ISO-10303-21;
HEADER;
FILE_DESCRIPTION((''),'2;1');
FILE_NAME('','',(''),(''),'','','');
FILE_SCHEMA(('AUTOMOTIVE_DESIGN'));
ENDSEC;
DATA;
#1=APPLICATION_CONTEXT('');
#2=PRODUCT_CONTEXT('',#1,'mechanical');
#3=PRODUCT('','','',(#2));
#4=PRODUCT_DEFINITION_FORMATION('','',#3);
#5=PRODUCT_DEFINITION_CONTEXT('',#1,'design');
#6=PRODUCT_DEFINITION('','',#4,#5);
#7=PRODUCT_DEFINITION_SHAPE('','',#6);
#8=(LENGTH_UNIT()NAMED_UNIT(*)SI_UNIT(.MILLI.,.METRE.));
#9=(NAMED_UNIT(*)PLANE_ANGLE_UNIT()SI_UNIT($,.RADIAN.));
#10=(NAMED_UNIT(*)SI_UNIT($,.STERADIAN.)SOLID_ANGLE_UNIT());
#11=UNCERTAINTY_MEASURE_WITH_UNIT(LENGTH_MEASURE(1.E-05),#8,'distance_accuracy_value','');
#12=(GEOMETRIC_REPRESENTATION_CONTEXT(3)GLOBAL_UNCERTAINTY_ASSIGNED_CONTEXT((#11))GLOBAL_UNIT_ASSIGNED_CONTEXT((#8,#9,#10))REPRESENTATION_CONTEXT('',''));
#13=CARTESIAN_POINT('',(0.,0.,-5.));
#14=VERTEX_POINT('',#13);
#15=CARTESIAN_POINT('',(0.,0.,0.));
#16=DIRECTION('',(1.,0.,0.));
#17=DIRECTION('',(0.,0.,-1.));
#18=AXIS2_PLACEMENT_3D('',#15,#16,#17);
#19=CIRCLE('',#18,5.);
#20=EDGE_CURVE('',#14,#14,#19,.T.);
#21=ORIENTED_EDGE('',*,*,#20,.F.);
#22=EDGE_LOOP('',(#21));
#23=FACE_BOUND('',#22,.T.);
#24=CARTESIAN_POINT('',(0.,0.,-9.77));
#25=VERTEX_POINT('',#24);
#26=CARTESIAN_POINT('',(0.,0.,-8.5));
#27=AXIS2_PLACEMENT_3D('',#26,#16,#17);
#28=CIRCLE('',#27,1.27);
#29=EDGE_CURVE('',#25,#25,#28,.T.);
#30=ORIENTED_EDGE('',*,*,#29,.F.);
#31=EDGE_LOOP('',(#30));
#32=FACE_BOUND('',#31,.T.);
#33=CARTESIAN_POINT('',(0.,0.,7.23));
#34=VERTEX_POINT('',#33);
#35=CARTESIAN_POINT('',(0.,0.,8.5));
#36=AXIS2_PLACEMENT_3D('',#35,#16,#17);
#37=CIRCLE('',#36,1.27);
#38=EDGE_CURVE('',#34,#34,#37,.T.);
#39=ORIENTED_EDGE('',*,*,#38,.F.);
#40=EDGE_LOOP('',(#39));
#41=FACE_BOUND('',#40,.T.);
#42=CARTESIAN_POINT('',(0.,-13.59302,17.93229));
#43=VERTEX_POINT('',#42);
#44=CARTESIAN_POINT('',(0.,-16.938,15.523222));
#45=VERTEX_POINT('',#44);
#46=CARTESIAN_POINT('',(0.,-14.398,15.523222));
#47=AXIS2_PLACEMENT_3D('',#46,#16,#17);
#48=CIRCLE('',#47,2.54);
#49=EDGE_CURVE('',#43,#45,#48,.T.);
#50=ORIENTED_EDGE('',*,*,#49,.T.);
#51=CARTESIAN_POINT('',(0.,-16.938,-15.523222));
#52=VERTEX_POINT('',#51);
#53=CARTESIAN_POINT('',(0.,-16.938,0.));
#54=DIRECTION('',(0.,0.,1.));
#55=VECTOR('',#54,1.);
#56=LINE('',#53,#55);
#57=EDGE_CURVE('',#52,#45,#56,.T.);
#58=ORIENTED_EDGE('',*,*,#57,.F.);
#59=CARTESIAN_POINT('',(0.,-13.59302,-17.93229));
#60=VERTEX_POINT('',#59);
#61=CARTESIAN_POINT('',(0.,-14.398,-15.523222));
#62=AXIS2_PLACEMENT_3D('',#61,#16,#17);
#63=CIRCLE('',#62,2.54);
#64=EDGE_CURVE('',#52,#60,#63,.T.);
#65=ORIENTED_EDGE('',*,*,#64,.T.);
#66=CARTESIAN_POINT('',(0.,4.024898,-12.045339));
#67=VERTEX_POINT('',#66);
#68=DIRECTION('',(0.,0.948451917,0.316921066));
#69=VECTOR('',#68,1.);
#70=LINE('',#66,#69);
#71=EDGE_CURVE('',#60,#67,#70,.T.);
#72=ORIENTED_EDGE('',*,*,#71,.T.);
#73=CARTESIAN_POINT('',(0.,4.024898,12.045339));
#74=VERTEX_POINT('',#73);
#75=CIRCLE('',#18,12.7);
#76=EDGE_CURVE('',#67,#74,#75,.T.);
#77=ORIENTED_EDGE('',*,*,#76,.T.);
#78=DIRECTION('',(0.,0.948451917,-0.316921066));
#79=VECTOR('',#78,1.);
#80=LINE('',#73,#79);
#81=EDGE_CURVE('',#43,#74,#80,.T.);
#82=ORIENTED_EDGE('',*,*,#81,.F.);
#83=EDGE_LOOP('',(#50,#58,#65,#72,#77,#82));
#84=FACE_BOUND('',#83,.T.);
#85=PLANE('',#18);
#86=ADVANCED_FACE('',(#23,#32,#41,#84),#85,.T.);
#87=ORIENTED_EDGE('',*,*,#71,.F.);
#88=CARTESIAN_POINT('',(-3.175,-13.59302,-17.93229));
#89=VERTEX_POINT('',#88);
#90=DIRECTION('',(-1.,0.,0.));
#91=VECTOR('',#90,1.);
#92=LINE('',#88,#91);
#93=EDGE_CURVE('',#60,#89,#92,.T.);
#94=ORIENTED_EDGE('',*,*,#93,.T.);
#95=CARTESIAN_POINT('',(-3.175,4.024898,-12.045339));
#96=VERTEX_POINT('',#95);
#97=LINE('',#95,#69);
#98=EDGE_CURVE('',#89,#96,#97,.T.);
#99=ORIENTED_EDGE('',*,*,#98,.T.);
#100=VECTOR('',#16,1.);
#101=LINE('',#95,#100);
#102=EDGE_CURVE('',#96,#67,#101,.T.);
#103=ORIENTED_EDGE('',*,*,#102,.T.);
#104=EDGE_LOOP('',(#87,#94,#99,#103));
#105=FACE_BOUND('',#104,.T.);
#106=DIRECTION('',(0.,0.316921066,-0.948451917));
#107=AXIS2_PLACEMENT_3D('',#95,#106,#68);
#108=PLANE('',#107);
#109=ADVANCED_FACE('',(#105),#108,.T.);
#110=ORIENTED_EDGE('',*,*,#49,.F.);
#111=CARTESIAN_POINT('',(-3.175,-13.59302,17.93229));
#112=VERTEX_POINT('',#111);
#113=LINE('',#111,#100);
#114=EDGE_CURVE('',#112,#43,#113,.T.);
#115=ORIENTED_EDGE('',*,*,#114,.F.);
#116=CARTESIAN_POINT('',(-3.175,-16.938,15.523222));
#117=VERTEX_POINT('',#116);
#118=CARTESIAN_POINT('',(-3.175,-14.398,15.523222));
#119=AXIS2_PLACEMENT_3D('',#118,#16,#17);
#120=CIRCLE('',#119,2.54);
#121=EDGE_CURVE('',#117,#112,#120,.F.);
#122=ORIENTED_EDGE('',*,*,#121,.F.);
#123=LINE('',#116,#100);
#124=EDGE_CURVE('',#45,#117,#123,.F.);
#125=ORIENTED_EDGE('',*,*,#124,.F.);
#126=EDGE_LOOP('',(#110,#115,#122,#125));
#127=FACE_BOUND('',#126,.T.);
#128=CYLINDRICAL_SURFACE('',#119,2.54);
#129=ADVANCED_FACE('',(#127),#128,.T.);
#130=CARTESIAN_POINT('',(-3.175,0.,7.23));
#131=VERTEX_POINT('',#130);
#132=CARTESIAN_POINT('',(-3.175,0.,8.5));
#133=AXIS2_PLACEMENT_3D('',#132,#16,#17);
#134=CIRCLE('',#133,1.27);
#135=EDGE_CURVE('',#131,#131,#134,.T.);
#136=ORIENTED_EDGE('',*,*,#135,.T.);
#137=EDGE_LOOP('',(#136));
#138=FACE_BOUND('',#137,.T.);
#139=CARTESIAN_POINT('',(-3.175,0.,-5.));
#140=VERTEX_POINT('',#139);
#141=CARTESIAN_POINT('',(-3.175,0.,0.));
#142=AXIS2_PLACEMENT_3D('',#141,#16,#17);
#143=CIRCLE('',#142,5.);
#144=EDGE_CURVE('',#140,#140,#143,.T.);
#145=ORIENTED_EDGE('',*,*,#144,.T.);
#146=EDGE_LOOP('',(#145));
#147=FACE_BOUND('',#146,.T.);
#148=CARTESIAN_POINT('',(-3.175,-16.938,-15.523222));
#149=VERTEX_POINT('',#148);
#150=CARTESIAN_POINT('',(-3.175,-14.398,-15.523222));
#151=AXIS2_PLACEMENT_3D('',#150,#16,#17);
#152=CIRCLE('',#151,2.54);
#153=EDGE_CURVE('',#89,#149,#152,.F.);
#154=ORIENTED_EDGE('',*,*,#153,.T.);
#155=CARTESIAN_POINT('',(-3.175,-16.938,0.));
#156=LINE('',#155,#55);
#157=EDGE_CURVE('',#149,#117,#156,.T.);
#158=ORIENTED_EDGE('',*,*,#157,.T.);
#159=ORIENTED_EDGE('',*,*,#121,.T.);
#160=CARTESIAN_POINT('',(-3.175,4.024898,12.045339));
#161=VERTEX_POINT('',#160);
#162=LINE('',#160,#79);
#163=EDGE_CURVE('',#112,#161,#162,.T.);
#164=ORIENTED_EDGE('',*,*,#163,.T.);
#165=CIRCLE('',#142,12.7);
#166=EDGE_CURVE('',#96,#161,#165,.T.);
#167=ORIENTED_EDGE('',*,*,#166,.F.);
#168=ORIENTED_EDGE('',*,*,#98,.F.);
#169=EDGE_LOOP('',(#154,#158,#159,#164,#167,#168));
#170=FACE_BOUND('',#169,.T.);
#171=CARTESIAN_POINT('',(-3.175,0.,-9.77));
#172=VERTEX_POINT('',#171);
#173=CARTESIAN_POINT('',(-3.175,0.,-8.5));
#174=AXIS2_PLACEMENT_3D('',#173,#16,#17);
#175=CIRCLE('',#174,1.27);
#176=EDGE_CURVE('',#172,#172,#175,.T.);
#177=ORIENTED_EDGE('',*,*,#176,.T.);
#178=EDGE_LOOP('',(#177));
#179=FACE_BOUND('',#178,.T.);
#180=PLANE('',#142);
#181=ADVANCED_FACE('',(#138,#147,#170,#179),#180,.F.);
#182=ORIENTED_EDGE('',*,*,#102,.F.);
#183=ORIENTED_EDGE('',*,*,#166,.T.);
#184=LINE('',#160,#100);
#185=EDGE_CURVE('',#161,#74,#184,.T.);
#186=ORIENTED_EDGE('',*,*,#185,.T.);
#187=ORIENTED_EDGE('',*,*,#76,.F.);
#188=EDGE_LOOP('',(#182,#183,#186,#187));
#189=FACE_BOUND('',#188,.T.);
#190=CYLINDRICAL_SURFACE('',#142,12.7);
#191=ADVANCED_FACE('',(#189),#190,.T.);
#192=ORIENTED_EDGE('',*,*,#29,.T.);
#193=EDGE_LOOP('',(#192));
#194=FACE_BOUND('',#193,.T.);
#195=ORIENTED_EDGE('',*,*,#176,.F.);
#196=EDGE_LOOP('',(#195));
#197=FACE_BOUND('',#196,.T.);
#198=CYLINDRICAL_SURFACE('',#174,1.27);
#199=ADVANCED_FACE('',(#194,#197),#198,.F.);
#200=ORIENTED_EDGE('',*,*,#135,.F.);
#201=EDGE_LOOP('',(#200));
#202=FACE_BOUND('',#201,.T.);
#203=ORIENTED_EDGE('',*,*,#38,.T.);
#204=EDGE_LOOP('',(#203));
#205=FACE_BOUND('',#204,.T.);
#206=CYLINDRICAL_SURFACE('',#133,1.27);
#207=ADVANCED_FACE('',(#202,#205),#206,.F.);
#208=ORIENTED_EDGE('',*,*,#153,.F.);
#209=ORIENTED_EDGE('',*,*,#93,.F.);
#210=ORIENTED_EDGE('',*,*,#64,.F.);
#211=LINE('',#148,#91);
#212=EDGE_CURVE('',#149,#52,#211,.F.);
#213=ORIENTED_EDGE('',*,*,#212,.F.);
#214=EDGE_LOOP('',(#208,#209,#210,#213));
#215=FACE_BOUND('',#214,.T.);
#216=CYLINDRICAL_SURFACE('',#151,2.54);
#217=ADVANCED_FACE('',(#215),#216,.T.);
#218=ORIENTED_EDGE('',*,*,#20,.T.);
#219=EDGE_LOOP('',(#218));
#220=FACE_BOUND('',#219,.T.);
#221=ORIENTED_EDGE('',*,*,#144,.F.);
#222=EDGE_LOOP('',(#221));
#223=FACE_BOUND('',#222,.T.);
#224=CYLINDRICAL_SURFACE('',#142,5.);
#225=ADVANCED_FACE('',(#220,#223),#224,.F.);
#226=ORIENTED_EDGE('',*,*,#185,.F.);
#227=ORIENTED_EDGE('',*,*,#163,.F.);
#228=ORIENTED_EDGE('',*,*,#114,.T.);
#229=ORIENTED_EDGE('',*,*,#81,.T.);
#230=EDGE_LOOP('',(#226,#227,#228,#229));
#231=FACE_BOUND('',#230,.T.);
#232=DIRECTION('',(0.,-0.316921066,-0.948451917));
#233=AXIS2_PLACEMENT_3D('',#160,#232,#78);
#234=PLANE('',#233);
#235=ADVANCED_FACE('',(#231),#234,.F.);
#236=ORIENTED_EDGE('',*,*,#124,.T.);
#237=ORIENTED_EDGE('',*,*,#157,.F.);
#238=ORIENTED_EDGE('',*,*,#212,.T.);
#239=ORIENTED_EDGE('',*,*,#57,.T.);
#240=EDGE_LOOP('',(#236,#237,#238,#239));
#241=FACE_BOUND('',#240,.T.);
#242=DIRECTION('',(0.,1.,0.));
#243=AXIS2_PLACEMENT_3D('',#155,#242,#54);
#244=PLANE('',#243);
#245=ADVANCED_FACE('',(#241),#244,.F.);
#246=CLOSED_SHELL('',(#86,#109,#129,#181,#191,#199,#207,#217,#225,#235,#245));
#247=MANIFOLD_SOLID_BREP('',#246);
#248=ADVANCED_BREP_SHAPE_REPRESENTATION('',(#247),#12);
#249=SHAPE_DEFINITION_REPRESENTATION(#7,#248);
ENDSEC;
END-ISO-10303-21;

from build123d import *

# Parameters (mm, degrees)
SKETCH1_R           = 12.7
SKETCH1_R_2         = 5
SKETCH1_R_3         = 1.27
BOSS_EXTRUDE1_DEPTH = 3.175
FILLET1_R           = 2.54
FILLET2_R           = 2.54


with BuildPart() as part:
    # Sketch1 → Boss-Extrude1 (new body)
    with BuildSketch(Plane(origin=(0, 0, 0), x_dir=(0, 0, -1), z_dir=(1, 0, 0))):
        with BuildLine():
            Line((-19.05, -16.938), (0, -16.938))
            Line((0, -16.938), (19.05, -16.938))
            Line((19.05, -16.938), (12.045339341, 4.024897535))
            ThreePointArc((12.045339341, 4.024897535), (12.535266444, 2.03889558), (12.7, 0))
            ThreePointArc((12.7, 0), (-2.03889558, -12.535266444), (-12.045339341, 4.024897535))
            Line((-12.045339341, 4.024897535), (-19.05, -16.938))
        make_face()
        Circle(SKETCH1_R)
        Circle(SKETCH1_R_2, mode=Mode.SUBTRACT)
        with Locations((-8.5, 0)):
            Circle(SKETCH1_R_3, mode=Mode.SUBTRACT)
        with Locations((8.5, 0)):
            Circle(SKETCH1_R_3, mode=Mode.SUBTRACT)
    extrude(amount=-BOSS_EXTRUDE1_DEPTH)

    # Fillet1
    fillet1_edges = [part.edges().sort_by_distance(p)[0] for p in [
        (-1.5875, -16.938, -19.05),
    ]]
    fillet(fillet1_edges, radius=FILLET1_R)

    # Fillet2
    fillet2_edges = [part.edges().sort_by_distance(p)[0] for p in [
        (-1.5875, -16.938, 19.05),
    ]]
    fillet(fillet2_edges, radius=FILLET2_R)


solid = part.part
